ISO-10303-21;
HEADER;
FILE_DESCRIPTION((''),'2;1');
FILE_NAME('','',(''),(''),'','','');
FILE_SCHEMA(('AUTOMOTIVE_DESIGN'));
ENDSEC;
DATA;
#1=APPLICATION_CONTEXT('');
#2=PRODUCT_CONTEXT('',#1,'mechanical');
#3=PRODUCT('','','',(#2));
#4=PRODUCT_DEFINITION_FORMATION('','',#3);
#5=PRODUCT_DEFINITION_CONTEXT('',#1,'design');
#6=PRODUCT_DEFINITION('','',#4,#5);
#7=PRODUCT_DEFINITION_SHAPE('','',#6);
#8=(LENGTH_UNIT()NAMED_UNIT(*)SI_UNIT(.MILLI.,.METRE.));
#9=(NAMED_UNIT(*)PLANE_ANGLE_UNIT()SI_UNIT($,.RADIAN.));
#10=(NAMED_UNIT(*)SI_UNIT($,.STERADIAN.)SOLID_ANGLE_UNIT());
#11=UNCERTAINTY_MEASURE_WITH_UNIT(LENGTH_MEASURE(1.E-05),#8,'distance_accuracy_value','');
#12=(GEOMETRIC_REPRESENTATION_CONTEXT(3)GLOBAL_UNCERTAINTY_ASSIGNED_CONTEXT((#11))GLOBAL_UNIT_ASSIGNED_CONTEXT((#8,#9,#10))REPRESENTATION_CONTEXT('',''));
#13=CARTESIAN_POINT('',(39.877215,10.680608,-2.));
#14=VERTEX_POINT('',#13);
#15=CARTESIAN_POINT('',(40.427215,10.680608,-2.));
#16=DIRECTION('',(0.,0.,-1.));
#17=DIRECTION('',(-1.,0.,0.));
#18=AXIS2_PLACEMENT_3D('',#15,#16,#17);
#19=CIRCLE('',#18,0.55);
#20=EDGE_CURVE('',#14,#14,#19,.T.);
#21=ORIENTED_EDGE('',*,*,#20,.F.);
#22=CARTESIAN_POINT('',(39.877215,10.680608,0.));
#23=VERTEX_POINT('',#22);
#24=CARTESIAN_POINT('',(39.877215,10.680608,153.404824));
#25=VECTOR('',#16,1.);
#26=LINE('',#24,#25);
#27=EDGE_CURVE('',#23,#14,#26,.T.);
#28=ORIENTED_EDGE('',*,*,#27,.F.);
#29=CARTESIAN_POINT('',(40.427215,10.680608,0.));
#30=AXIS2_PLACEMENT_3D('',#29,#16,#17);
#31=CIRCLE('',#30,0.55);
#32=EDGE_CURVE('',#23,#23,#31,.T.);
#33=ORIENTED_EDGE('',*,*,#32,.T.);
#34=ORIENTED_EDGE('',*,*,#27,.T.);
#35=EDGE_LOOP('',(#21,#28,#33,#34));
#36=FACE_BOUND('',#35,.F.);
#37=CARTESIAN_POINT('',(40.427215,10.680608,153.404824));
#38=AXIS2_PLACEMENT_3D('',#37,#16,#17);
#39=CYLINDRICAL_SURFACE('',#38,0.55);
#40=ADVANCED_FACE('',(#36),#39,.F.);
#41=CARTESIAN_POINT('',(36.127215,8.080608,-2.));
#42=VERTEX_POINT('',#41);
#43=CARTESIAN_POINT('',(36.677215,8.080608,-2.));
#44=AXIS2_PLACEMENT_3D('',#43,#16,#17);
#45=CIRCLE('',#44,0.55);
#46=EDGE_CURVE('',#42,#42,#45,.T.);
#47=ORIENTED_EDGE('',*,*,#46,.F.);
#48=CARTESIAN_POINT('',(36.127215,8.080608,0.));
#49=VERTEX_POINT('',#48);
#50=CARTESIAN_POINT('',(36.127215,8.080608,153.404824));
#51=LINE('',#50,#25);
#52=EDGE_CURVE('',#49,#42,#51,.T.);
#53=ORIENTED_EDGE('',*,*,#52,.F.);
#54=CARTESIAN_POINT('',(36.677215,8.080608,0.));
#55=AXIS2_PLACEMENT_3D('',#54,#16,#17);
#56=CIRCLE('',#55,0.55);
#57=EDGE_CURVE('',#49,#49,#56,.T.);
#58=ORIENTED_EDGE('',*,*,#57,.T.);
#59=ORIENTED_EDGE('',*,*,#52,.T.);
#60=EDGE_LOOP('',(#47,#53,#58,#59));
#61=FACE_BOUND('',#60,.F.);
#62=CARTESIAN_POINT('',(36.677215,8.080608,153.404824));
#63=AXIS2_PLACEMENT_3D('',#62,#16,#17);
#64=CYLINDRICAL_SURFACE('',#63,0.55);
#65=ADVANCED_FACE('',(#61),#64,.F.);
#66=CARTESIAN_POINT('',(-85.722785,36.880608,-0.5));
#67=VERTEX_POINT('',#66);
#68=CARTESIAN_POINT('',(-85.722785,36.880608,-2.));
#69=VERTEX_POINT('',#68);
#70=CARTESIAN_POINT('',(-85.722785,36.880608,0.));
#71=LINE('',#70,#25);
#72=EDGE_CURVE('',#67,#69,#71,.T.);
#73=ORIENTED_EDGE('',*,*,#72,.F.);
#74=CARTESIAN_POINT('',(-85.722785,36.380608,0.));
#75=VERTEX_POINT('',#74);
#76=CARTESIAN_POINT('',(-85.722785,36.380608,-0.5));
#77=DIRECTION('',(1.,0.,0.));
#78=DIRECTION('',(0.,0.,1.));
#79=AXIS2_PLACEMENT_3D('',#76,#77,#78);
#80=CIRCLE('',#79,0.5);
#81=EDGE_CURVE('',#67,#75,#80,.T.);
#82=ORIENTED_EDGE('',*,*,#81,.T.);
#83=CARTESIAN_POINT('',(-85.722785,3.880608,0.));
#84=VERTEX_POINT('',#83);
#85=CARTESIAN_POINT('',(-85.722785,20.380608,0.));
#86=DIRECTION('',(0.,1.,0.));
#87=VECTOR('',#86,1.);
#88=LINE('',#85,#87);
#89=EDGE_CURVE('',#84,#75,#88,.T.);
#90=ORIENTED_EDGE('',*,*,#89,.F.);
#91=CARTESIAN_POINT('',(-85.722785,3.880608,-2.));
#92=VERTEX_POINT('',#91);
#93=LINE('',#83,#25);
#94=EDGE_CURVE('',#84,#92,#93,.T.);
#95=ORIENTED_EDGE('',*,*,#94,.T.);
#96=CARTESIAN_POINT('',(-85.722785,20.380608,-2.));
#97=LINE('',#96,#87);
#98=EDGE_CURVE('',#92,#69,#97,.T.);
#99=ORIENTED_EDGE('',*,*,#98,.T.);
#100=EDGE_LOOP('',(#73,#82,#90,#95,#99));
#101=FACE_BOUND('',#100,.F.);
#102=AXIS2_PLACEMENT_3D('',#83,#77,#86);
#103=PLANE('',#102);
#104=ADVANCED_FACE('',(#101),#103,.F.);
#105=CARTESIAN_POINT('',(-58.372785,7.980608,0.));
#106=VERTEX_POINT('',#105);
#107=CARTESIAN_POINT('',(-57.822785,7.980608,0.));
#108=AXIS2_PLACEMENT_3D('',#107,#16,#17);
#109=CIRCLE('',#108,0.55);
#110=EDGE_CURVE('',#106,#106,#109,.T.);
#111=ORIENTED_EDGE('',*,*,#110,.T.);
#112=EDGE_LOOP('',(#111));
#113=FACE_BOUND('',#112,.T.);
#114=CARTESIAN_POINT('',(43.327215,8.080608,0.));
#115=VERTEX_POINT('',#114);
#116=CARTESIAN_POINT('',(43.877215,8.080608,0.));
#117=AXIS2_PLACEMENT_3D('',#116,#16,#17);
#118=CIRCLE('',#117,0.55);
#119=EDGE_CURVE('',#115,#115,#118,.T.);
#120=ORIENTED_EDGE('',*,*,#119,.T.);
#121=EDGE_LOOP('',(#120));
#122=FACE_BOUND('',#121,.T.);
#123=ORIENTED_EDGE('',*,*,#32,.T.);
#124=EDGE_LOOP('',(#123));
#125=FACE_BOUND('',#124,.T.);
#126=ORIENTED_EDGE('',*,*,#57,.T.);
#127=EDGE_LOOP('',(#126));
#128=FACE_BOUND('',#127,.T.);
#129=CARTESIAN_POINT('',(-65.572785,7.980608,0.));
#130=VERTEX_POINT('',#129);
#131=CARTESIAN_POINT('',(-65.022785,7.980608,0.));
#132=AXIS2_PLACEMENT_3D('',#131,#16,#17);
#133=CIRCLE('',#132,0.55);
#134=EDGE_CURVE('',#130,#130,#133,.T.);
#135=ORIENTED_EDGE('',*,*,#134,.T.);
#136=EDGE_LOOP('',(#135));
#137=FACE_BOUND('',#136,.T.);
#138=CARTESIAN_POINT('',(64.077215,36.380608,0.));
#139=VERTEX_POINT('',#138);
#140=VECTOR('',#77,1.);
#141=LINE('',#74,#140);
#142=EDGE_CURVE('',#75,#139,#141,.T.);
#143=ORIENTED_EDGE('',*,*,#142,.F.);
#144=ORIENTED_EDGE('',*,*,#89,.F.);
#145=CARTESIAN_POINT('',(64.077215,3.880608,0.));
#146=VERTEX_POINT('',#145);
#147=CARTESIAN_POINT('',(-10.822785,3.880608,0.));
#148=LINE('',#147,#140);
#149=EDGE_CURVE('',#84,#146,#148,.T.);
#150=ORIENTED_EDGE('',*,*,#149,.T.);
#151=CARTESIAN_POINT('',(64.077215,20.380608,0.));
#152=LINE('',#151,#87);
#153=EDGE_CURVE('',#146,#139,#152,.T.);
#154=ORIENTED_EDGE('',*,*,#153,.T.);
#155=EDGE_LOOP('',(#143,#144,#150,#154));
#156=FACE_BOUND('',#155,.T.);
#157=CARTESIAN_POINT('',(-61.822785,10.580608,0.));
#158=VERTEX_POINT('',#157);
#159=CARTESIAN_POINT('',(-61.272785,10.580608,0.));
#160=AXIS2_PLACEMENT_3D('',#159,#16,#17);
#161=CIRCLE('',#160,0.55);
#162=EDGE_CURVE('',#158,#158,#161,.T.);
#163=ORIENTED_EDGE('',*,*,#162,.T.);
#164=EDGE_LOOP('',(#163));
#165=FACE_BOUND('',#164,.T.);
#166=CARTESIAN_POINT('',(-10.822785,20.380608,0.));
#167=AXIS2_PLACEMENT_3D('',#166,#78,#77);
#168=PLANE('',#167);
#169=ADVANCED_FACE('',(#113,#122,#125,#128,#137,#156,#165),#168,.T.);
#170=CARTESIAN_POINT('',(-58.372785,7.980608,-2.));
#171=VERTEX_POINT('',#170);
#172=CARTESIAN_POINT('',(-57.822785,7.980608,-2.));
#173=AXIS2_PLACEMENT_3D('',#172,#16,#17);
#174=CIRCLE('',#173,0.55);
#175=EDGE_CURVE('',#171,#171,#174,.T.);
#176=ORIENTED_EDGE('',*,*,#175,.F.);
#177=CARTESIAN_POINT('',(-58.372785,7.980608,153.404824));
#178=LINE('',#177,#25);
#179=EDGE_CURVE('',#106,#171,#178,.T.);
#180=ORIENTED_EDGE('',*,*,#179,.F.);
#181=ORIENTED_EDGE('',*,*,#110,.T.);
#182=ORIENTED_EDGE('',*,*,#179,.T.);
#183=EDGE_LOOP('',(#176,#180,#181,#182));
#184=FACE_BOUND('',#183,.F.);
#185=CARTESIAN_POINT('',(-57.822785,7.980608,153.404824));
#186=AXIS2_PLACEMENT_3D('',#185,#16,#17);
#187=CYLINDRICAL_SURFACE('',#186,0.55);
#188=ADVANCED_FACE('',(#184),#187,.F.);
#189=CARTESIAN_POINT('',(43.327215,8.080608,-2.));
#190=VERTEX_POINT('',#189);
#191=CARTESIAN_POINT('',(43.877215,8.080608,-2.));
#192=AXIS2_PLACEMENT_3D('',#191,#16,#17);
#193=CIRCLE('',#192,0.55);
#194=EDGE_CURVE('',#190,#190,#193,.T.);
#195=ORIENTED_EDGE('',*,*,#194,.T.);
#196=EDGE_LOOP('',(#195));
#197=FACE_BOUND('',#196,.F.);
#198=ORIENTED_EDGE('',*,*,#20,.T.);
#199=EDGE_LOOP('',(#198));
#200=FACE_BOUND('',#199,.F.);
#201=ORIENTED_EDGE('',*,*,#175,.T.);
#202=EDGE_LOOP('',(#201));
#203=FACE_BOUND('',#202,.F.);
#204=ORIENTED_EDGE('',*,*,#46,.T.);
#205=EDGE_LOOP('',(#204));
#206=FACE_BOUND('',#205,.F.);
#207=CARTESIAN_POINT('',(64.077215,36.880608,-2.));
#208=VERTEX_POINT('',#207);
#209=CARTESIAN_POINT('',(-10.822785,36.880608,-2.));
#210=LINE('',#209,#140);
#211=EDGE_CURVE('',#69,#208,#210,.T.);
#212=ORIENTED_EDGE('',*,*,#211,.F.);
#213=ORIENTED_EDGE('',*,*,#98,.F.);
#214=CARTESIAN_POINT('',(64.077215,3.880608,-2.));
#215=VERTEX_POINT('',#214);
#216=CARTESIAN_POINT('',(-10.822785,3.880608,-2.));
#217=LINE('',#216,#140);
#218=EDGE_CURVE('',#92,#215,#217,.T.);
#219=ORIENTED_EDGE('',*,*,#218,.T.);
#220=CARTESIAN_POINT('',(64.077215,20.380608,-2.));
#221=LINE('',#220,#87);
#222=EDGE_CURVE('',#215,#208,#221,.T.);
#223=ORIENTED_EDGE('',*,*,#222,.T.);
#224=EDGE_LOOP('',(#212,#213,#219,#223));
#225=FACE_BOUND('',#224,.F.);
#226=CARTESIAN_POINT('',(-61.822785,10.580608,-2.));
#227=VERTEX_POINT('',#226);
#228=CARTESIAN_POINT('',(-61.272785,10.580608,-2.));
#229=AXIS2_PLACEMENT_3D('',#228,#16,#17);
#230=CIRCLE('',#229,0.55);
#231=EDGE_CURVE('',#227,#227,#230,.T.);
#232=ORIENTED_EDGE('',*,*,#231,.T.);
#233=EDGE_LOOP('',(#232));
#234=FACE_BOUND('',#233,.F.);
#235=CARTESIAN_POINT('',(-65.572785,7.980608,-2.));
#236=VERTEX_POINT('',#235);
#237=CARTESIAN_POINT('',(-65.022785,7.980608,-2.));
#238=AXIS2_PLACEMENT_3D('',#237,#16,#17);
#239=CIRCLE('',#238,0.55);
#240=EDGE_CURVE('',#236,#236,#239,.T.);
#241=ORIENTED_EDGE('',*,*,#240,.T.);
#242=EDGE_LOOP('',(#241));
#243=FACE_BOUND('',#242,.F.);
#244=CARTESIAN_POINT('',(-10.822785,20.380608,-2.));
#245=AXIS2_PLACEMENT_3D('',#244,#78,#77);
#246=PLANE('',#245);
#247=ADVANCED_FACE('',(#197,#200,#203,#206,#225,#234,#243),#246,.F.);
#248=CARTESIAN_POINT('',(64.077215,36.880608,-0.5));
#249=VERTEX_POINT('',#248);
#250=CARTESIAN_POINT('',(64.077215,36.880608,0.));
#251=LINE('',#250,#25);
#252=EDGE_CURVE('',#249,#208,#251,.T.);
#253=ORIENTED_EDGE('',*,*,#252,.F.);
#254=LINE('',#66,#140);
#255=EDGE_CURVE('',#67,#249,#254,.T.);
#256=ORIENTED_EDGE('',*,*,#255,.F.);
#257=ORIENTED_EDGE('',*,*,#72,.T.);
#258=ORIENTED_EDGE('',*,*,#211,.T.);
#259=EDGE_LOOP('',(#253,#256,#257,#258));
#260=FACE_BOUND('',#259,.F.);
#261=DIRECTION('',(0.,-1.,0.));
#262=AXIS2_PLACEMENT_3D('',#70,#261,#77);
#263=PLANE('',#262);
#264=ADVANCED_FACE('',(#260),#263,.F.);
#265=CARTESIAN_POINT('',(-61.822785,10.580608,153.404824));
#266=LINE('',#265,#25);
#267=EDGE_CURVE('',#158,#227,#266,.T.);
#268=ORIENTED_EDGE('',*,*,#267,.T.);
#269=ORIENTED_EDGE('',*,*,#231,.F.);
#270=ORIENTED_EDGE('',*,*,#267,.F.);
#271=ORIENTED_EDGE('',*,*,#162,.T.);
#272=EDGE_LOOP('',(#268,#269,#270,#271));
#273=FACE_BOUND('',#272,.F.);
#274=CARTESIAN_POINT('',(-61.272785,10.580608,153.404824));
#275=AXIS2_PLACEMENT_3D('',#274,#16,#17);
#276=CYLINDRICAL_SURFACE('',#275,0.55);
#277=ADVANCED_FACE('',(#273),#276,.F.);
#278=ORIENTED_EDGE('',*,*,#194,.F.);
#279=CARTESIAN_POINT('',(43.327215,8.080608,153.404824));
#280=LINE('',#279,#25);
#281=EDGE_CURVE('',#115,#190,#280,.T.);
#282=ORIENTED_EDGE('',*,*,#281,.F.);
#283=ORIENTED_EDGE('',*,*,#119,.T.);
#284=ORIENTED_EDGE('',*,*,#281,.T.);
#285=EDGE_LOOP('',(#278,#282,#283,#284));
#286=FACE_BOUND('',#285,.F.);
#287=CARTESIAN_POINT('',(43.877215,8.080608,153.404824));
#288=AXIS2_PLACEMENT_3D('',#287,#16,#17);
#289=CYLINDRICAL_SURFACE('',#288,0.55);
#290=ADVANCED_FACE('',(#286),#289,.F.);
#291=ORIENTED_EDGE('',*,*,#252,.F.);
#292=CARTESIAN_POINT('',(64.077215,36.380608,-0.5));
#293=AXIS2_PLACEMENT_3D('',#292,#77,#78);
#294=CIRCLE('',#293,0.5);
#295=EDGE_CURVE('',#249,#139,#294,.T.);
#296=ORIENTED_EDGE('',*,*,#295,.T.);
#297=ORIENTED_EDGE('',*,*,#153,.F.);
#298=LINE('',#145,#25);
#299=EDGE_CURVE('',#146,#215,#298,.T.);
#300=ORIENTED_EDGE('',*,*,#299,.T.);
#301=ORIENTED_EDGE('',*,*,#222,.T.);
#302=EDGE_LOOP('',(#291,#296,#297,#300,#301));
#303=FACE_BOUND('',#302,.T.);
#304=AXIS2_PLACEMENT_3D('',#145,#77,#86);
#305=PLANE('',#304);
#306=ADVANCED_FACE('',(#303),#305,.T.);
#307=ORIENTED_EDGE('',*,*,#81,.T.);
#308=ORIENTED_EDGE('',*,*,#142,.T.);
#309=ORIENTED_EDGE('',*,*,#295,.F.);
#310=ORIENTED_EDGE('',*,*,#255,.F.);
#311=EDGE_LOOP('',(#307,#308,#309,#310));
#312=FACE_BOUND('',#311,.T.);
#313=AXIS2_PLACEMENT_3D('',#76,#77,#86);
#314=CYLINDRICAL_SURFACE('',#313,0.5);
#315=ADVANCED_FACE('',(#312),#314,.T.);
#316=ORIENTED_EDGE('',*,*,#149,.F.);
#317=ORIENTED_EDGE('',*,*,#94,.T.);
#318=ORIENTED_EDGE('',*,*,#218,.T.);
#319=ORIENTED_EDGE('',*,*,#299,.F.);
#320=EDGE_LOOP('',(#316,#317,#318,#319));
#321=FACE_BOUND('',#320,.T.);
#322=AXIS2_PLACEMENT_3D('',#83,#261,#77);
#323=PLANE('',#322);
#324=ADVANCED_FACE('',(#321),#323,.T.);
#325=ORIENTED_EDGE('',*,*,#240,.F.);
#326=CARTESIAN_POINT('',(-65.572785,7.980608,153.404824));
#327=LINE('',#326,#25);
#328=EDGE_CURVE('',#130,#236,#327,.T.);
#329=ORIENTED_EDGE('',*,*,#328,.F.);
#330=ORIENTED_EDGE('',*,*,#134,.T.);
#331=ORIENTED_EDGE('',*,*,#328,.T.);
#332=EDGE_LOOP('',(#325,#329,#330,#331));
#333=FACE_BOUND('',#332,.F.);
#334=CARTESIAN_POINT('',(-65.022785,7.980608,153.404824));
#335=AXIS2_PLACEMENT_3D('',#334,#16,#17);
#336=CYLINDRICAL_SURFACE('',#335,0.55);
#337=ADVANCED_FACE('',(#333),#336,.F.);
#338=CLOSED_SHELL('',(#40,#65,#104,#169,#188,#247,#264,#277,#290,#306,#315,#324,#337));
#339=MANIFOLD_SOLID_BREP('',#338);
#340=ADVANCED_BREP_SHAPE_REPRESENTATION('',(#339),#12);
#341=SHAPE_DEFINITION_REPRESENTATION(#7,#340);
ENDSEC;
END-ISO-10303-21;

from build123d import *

# Parameters (mm, degrees)
F0_W     = 149.8
F0_H     = 33
F1_DEPTH = 2
F2_D     = 1.1
F3_R     = 0.5


with BuildPart() as f1:
    # F0 (on Top) → F1 (new body)
    with BuildSketch(Plane.XY):
        with Locations((-10.822785, 20.380608)):
            Rectangle(F0_W, F0_H)
    extrude(amount=-F1_DEPTH)

    # F2 (through all)
    with Locations(Plane.XY):
        with Locations((-65.022785, 7.980608), (-61.272785, 10.580608), (-57.822785, 7.980608), (36.677215, 8.080608), (40.427215, 10.680608), (43.877215, 8.080608)):
            Hole(F2_D / 2)

    # F3
    f3_edges = [f1.edges().sort_by_distance(p)[0] for p in [
        (-10.822785, 36.880608, 0),
    ]]
    fillet(f3_edges, radius=F3_R)


solid = f1.part
